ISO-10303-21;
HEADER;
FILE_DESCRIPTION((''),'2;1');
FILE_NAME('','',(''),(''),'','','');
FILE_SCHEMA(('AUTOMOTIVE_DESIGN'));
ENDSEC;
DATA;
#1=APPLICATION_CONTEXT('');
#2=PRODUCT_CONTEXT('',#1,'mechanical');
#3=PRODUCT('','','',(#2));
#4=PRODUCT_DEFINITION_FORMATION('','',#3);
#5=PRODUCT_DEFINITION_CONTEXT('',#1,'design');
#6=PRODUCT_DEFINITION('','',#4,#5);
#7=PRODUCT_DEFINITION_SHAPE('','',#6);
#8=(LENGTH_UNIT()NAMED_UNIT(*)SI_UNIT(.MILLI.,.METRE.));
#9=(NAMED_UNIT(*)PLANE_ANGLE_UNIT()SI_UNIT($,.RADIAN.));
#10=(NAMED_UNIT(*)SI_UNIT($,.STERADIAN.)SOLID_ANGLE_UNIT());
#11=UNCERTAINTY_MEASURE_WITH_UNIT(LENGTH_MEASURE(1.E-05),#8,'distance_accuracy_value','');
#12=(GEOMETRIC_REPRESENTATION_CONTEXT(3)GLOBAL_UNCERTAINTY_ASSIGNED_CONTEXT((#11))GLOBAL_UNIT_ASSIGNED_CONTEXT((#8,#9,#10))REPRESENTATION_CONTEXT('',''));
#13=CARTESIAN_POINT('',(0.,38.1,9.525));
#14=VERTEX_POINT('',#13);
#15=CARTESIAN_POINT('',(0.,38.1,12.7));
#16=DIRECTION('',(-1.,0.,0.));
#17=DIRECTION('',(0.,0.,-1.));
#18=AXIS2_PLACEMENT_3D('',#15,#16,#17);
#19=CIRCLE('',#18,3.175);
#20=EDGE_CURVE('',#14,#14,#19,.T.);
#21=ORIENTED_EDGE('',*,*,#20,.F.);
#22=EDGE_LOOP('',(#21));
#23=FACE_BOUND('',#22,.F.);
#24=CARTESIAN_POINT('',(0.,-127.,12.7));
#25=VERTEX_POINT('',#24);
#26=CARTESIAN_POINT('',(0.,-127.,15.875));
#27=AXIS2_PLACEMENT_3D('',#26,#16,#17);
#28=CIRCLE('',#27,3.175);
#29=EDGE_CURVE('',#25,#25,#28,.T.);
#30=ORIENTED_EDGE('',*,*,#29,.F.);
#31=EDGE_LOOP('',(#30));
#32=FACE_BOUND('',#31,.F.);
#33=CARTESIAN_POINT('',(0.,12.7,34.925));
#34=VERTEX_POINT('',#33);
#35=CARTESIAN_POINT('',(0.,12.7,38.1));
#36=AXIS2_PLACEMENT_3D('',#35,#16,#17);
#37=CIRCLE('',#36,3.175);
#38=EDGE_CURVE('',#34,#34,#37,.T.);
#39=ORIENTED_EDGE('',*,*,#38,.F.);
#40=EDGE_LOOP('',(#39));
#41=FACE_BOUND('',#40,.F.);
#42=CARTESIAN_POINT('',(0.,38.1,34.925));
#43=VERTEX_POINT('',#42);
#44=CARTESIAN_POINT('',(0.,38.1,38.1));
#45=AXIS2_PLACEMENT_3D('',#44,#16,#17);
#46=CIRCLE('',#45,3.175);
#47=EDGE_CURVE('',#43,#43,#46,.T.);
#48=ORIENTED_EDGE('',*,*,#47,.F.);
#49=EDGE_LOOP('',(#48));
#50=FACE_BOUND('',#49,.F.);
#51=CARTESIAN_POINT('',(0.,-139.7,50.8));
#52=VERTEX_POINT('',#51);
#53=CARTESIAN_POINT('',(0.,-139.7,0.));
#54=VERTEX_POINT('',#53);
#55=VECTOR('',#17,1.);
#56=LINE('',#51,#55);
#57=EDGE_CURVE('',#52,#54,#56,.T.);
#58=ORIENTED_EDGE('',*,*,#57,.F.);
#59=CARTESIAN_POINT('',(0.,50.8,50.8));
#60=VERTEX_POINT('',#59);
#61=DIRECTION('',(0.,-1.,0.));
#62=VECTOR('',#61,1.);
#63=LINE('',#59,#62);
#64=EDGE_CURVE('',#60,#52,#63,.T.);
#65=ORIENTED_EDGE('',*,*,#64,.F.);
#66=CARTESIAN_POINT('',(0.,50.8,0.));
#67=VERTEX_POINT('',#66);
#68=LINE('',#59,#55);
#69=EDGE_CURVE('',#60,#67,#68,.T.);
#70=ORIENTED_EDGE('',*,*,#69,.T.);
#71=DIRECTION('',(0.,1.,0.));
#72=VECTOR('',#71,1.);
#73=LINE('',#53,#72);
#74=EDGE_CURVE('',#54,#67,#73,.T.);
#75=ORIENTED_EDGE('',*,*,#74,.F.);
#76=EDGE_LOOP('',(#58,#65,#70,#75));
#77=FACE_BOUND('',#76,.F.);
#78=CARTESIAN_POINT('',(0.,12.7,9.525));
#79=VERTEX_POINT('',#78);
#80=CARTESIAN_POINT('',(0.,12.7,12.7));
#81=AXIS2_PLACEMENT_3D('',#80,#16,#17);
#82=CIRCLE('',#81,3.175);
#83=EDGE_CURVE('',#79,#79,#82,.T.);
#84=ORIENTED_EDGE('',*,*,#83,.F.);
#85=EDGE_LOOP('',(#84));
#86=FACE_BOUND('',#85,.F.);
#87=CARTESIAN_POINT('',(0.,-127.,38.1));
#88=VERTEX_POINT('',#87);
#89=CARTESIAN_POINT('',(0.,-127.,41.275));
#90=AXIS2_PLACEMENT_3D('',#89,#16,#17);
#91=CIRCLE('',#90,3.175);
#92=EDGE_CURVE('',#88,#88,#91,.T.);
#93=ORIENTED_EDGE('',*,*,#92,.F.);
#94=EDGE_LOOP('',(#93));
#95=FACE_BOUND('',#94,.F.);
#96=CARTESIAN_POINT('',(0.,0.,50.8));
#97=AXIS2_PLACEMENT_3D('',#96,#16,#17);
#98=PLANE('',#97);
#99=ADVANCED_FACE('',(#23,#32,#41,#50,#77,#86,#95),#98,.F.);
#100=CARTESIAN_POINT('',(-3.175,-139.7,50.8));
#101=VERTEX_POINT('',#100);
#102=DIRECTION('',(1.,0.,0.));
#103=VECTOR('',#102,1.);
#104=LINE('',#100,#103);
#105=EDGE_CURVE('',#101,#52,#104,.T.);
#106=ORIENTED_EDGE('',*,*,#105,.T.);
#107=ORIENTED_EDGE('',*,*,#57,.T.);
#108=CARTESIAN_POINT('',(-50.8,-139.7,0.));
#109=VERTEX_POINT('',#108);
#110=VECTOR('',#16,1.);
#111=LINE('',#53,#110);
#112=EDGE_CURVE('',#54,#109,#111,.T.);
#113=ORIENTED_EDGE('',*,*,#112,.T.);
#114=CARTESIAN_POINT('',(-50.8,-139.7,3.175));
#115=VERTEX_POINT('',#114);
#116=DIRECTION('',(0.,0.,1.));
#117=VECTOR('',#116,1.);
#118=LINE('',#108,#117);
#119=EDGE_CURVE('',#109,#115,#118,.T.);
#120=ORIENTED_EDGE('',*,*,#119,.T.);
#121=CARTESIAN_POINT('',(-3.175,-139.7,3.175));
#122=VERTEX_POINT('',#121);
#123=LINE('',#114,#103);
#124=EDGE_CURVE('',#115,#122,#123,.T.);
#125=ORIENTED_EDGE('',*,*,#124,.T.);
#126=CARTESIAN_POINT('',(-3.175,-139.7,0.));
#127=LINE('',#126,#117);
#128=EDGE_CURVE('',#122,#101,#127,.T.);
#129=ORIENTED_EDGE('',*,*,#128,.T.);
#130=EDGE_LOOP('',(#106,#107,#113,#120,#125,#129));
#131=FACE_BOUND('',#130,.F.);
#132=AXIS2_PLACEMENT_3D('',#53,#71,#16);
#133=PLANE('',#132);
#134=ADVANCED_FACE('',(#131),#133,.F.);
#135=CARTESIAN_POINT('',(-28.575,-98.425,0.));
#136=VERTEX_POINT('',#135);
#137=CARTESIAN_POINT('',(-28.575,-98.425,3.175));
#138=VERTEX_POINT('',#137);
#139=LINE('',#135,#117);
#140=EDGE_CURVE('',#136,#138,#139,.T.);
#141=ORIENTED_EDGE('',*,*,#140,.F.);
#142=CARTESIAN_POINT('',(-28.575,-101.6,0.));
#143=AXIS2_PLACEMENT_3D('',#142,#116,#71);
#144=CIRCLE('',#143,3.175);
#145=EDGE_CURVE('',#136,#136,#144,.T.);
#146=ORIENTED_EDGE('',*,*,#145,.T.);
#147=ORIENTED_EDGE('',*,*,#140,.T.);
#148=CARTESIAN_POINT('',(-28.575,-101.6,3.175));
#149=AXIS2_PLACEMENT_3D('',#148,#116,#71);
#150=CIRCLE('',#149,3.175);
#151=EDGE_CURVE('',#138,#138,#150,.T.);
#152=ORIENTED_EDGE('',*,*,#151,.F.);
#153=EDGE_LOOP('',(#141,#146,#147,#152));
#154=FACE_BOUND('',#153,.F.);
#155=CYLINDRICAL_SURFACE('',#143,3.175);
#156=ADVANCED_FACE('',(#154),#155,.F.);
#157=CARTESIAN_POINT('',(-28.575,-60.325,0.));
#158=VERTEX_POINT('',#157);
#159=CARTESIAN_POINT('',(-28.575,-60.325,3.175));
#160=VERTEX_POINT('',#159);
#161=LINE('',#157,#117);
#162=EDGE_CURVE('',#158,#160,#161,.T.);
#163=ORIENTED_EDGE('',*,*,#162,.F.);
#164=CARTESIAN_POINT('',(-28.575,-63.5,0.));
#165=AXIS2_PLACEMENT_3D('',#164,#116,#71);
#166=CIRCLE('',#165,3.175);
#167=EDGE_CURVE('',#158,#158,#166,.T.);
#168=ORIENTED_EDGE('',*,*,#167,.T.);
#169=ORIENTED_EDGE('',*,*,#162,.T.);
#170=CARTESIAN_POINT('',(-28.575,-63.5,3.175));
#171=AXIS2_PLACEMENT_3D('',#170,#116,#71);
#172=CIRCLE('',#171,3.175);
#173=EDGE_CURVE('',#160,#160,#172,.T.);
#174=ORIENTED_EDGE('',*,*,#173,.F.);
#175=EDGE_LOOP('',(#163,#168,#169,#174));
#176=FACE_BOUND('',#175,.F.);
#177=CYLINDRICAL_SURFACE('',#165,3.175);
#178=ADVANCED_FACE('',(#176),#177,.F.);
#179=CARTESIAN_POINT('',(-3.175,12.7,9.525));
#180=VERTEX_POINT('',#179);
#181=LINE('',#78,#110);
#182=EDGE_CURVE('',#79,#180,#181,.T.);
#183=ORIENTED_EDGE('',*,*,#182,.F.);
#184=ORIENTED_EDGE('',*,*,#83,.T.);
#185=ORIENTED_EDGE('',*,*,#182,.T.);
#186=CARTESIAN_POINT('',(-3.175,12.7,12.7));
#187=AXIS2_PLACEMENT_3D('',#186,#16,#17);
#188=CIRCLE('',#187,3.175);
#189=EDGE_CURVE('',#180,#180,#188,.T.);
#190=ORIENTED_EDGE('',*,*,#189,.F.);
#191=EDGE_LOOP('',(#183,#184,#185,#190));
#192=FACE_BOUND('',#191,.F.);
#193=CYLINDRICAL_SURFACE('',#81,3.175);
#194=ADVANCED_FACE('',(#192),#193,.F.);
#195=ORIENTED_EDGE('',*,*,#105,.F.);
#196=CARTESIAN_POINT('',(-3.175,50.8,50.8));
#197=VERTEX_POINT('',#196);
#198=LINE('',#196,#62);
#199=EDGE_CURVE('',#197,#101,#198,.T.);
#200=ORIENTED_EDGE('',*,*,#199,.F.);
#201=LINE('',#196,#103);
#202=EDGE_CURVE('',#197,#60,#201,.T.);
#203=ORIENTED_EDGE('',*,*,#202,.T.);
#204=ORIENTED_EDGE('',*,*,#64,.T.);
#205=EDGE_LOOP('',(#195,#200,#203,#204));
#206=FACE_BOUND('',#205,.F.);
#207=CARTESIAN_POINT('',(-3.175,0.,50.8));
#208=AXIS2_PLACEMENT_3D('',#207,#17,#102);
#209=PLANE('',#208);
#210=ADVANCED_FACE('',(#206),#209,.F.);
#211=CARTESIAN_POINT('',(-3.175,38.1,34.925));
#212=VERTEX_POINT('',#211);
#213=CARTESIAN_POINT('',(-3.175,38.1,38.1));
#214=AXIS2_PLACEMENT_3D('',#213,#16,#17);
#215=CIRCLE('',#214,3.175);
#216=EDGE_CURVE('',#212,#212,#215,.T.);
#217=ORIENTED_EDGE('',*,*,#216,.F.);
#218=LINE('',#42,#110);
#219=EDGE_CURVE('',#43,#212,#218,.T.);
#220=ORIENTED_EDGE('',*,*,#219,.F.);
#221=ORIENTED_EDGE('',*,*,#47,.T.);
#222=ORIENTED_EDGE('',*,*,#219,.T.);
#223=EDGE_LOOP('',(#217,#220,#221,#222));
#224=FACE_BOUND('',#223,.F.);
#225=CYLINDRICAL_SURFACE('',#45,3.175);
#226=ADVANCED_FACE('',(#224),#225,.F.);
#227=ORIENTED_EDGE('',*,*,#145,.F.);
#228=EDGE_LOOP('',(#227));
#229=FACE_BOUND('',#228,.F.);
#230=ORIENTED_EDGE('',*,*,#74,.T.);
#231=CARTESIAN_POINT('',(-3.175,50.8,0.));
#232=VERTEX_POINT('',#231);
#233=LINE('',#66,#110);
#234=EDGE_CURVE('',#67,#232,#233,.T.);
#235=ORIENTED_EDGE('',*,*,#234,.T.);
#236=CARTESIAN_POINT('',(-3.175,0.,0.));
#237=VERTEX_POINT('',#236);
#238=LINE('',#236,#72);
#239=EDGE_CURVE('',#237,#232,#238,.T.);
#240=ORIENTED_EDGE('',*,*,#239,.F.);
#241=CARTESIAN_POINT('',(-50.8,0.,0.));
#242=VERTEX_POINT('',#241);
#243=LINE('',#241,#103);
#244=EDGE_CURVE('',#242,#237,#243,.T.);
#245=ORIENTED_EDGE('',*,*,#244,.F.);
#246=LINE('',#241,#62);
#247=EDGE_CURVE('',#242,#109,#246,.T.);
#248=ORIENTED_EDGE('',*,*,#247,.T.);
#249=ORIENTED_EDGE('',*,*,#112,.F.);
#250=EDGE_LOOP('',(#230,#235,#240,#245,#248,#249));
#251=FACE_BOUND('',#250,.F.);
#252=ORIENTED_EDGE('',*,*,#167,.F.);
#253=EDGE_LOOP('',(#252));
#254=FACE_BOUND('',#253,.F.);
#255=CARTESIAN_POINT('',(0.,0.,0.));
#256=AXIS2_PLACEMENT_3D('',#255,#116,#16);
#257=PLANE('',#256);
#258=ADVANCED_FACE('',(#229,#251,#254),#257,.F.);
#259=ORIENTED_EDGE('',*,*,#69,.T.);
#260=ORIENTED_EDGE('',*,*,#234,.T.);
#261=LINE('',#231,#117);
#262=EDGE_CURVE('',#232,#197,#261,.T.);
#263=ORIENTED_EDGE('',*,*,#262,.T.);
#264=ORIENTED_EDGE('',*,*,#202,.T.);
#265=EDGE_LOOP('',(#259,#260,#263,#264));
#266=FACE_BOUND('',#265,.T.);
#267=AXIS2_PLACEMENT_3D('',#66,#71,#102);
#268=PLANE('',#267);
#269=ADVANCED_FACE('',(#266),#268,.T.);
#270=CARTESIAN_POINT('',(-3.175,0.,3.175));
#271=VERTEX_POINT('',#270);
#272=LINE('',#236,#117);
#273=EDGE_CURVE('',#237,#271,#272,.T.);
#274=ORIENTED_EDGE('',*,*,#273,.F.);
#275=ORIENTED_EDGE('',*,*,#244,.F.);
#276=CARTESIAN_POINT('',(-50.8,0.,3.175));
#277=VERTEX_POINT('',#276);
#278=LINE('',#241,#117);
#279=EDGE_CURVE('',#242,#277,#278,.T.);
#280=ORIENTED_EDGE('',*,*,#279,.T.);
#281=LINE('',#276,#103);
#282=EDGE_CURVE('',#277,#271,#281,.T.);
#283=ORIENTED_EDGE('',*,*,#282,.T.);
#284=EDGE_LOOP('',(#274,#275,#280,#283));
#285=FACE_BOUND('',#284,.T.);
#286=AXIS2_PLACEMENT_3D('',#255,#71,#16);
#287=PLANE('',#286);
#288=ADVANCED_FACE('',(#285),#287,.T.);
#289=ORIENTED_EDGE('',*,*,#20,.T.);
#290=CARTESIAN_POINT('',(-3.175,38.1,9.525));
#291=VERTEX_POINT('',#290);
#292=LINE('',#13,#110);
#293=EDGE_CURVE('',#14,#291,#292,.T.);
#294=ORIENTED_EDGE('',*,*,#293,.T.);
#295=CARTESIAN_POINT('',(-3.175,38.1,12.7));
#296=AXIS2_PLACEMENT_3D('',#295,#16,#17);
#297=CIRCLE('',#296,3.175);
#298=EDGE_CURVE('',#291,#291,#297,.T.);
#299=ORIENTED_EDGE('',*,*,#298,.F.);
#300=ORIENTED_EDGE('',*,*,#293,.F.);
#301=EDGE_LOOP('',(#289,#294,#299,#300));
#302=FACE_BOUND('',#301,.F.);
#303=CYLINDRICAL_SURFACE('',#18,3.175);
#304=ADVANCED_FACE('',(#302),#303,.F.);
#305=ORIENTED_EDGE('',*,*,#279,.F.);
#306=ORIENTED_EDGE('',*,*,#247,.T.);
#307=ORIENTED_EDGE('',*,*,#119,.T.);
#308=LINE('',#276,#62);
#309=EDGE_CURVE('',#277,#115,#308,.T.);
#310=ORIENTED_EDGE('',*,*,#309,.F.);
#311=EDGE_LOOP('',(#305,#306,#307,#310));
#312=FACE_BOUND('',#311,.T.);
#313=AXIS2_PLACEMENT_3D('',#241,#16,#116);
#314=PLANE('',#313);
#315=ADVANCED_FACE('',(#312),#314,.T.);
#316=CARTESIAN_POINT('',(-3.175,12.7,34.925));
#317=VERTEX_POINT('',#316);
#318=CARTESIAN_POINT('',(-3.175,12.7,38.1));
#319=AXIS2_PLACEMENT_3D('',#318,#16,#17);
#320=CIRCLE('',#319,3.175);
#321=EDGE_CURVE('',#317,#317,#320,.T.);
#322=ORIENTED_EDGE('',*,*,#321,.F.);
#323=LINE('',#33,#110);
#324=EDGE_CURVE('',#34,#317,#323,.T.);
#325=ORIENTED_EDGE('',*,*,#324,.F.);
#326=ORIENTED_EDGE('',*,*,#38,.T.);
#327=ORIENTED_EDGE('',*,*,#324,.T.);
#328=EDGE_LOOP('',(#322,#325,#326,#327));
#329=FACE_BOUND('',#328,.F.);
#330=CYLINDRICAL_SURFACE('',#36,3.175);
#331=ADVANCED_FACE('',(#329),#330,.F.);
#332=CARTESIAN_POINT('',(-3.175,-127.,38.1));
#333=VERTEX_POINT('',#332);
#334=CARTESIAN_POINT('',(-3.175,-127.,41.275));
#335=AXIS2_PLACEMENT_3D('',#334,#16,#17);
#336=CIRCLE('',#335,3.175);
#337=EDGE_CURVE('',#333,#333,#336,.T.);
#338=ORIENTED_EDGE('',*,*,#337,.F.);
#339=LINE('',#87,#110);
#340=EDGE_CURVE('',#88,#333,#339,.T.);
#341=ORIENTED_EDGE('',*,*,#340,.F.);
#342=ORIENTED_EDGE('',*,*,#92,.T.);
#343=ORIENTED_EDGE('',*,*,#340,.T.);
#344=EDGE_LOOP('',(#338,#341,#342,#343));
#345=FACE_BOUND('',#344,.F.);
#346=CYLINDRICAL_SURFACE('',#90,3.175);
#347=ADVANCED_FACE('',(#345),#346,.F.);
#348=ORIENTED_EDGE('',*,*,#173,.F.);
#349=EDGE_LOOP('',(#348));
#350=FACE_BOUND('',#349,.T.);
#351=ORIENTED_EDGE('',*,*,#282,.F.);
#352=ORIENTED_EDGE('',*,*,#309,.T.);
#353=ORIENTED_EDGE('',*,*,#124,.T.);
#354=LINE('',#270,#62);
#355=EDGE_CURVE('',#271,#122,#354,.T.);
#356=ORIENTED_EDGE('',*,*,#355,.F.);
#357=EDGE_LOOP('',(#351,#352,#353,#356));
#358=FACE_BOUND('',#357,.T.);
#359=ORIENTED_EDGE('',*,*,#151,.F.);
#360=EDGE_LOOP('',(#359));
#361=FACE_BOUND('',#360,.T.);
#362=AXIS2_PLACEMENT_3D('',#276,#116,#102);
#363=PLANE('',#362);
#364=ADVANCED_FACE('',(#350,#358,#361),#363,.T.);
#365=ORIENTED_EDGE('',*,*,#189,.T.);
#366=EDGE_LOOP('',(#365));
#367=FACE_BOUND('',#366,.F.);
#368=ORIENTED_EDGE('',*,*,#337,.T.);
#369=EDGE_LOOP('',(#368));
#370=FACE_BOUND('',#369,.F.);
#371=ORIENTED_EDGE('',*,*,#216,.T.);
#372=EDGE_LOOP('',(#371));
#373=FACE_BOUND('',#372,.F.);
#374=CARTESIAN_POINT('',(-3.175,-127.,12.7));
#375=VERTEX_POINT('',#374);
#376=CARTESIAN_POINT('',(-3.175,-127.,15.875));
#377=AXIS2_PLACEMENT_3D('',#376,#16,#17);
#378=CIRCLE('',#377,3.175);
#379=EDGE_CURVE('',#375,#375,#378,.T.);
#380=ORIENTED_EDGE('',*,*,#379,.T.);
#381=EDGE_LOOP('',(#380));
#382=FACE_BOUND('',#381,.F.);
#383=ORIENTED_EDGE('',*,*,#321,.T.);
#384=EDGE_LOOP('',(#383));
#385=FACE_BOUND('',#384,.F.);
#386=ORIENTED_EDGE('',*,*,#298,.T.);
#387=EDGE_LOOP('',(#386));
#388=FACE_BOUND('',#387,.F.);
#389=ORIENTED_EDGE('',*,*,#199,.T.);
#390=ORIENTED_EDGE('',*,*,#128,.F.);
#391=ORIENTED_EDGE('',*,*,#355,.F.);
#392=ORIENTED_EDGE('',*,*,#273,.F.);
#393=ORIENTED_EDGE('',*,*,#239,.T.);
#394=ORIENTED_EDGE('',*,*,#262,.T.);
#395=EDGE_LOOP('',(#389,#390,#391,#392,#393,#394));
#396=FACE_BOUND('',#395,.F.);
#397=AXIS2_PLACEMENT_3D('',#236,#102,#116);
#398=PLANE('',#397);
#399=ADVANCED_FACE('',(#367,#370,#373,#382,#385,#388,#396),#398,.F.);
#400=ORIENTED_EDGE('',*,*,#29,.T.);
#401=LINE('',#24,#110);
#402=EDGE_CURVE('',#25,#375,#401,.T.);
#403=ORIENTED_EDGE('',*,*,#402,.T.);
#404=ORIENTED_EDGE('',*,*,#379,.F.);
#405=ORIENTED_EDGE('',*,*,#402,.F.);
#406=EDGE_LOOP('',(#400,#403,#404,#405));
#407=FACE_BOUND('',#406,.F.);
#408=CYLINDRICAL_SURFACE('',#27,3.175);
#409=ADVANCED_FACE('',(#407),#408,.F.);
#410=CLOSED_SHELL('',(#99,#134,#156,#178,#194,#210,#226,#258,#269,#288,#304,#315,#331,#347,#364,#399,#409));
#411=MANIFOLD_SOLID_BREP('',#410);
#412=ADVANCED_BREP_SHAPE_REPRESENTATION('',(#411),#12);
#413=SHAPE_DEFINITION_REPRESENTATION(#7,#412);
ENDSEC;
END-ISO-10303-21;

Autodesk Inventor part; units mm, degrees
ref_plane "YZ Plane" through (0, 0, 0) normal (1, 0, 0) x (0, 1, 0)
ref_plane "XZ Plane" through (0, 0, 0) normal (0, 1, 0) x (-1, 0, 0)
ref_plane "XY Plane" through (0, 0, 0) normal (0, 0, 1) x (1, 0, 0)
sketch "Sketch1" plane through (0, 0, 0) normal (0, 1, 0) x (-1, 0, 0)
  line L0 (0, 0) -> (3.175, 0)
  line L1 (3.175, 0) -> (3.175, 50.8)
  line L2 (3.175, 50.8) -> (0, 50.8)
  line L3 (0, 50.8) -> (0, 0)
  line L4 (0, 0) -> (50.8, 0)
  line L5 (50.8, 0) -> (50.8, 3.175)
  line L6 (50.8, 3.175) -> (0, 3.175)
  line L7 (0, 3.175) -> (0, 0)
  dimension "d0" = 3.175
  dimension "d1" = 50.8
  dimension "d2" = 50.8
  dimension "d3" = 3.175
extrude "Extrusion1" add sketch "Sketch1" against normal blind 139.7
sketch "Sketch3" plane through (0, 0, 50.8) normal (1, 0, 0) x (0, 0, -1)
  line L0 (50.8, -139.7) -> (0, -139.7) projected
  line L1 (50.8, 0) -> (50.8, -139.7) projected
  line L2 (0, 0) -> (50.8, 0) projected
  line L3 (0, 0) -> (0, -139.7) projected
  point P0 (9.525, -127)
  point P1 (34.925, -127)
  dimension "d17" = 12.7
  dimension "d18" = 9.525
  dimension "d19" = 15.875
  dimension "d20" = 12.7
hole "Hole2" at (0, -127, 41.275) at (0, -127, 15.875) direction (-1, 0, 0) diameter 6.35 end through all
sketch "Sketch4" plane through (0, 0, 0) normal (0, 0, -1) x (-1, 0, 0)
  line L0 (0, 0) -> (50.8, 0) projected
  line L1 (0, 0) -> (0, -139.7) projected
  line L2 (50.8, -139.7) -> (0, -139.7) projected
  line L3 (50.8, 0) -> (50.8, -139.7) projected
  point P0 (28.575, -63.5)
  point P1 (28.575, -101.6)
  dimension "d28" = 28.575
  dimension "d29" = 63.5
  dimension "d30" = 101.6
  dimension "d31" = 28.575
hole "Hole3" at (-28.575, -63.5, 0) at (-28.575, -101.6, 0) direction (0, 0, 1) diameter 6.35 end through all
sketch "Sketch5" plane through (0, 0, 0) normal (0, 1, 0) x (1, 0, 0)
  line L0 (0, 0) -> (-3.175, 0)
  line L1 (-3.175, 0) -> (-3.175, -50.8)
  line L2 (-3.175, -50.8) -> (0, -50.8)
  line L3 (0, -50.8) -> (0, 0)
extrude "Extrusion2" add sketch "Sketch5" along normal blind 50.8
sketch "Sketch6" plane through (0, -139.7, 50.8) normal (1, 0, 0) x (0, 0, -1)
  circle A0 centre (9.525, 12.7) radius 3.175 projected
  circle A1 centre (34.925, 12.7) radius 3.175 projected
  line L0 (0, 0) -> (0, 190.5) projected
  line L1 (50.8, 0) -> (0, 0) projected
  line L2 (50.8, 190.5) -> (50.8, 0) projected
  line L3 (0, 190.5) -> (50.8, 190.5) projected
  point P0 (50.8, 139.7)
  point P1 (12.7, 152.4)
  point P2 (38.1, 152.4)
  point P3 (12.7, 177.8)
  point P4 (38.1, 177.8)
  dimension "d41" = 38.1
  dimension "d42" = 12.7
  dimension "d43" = 12.7
  dimension "d44" = 38.1
  dimension "d45" = 12.7
  dimension "d46" = 12.7
  dimension "d47" = 12.7
  dimension "d48" = 12.7
hole "Hole4" at (0, 12.7, 38.1) at (0, 12.7, 12.7) at (0, 38.1, 38.1) at (0, 38.1, 12.7) direction (-1, 0, 0) diameter 6.35 end through all
properties part number "2x2 angle vertical right"
